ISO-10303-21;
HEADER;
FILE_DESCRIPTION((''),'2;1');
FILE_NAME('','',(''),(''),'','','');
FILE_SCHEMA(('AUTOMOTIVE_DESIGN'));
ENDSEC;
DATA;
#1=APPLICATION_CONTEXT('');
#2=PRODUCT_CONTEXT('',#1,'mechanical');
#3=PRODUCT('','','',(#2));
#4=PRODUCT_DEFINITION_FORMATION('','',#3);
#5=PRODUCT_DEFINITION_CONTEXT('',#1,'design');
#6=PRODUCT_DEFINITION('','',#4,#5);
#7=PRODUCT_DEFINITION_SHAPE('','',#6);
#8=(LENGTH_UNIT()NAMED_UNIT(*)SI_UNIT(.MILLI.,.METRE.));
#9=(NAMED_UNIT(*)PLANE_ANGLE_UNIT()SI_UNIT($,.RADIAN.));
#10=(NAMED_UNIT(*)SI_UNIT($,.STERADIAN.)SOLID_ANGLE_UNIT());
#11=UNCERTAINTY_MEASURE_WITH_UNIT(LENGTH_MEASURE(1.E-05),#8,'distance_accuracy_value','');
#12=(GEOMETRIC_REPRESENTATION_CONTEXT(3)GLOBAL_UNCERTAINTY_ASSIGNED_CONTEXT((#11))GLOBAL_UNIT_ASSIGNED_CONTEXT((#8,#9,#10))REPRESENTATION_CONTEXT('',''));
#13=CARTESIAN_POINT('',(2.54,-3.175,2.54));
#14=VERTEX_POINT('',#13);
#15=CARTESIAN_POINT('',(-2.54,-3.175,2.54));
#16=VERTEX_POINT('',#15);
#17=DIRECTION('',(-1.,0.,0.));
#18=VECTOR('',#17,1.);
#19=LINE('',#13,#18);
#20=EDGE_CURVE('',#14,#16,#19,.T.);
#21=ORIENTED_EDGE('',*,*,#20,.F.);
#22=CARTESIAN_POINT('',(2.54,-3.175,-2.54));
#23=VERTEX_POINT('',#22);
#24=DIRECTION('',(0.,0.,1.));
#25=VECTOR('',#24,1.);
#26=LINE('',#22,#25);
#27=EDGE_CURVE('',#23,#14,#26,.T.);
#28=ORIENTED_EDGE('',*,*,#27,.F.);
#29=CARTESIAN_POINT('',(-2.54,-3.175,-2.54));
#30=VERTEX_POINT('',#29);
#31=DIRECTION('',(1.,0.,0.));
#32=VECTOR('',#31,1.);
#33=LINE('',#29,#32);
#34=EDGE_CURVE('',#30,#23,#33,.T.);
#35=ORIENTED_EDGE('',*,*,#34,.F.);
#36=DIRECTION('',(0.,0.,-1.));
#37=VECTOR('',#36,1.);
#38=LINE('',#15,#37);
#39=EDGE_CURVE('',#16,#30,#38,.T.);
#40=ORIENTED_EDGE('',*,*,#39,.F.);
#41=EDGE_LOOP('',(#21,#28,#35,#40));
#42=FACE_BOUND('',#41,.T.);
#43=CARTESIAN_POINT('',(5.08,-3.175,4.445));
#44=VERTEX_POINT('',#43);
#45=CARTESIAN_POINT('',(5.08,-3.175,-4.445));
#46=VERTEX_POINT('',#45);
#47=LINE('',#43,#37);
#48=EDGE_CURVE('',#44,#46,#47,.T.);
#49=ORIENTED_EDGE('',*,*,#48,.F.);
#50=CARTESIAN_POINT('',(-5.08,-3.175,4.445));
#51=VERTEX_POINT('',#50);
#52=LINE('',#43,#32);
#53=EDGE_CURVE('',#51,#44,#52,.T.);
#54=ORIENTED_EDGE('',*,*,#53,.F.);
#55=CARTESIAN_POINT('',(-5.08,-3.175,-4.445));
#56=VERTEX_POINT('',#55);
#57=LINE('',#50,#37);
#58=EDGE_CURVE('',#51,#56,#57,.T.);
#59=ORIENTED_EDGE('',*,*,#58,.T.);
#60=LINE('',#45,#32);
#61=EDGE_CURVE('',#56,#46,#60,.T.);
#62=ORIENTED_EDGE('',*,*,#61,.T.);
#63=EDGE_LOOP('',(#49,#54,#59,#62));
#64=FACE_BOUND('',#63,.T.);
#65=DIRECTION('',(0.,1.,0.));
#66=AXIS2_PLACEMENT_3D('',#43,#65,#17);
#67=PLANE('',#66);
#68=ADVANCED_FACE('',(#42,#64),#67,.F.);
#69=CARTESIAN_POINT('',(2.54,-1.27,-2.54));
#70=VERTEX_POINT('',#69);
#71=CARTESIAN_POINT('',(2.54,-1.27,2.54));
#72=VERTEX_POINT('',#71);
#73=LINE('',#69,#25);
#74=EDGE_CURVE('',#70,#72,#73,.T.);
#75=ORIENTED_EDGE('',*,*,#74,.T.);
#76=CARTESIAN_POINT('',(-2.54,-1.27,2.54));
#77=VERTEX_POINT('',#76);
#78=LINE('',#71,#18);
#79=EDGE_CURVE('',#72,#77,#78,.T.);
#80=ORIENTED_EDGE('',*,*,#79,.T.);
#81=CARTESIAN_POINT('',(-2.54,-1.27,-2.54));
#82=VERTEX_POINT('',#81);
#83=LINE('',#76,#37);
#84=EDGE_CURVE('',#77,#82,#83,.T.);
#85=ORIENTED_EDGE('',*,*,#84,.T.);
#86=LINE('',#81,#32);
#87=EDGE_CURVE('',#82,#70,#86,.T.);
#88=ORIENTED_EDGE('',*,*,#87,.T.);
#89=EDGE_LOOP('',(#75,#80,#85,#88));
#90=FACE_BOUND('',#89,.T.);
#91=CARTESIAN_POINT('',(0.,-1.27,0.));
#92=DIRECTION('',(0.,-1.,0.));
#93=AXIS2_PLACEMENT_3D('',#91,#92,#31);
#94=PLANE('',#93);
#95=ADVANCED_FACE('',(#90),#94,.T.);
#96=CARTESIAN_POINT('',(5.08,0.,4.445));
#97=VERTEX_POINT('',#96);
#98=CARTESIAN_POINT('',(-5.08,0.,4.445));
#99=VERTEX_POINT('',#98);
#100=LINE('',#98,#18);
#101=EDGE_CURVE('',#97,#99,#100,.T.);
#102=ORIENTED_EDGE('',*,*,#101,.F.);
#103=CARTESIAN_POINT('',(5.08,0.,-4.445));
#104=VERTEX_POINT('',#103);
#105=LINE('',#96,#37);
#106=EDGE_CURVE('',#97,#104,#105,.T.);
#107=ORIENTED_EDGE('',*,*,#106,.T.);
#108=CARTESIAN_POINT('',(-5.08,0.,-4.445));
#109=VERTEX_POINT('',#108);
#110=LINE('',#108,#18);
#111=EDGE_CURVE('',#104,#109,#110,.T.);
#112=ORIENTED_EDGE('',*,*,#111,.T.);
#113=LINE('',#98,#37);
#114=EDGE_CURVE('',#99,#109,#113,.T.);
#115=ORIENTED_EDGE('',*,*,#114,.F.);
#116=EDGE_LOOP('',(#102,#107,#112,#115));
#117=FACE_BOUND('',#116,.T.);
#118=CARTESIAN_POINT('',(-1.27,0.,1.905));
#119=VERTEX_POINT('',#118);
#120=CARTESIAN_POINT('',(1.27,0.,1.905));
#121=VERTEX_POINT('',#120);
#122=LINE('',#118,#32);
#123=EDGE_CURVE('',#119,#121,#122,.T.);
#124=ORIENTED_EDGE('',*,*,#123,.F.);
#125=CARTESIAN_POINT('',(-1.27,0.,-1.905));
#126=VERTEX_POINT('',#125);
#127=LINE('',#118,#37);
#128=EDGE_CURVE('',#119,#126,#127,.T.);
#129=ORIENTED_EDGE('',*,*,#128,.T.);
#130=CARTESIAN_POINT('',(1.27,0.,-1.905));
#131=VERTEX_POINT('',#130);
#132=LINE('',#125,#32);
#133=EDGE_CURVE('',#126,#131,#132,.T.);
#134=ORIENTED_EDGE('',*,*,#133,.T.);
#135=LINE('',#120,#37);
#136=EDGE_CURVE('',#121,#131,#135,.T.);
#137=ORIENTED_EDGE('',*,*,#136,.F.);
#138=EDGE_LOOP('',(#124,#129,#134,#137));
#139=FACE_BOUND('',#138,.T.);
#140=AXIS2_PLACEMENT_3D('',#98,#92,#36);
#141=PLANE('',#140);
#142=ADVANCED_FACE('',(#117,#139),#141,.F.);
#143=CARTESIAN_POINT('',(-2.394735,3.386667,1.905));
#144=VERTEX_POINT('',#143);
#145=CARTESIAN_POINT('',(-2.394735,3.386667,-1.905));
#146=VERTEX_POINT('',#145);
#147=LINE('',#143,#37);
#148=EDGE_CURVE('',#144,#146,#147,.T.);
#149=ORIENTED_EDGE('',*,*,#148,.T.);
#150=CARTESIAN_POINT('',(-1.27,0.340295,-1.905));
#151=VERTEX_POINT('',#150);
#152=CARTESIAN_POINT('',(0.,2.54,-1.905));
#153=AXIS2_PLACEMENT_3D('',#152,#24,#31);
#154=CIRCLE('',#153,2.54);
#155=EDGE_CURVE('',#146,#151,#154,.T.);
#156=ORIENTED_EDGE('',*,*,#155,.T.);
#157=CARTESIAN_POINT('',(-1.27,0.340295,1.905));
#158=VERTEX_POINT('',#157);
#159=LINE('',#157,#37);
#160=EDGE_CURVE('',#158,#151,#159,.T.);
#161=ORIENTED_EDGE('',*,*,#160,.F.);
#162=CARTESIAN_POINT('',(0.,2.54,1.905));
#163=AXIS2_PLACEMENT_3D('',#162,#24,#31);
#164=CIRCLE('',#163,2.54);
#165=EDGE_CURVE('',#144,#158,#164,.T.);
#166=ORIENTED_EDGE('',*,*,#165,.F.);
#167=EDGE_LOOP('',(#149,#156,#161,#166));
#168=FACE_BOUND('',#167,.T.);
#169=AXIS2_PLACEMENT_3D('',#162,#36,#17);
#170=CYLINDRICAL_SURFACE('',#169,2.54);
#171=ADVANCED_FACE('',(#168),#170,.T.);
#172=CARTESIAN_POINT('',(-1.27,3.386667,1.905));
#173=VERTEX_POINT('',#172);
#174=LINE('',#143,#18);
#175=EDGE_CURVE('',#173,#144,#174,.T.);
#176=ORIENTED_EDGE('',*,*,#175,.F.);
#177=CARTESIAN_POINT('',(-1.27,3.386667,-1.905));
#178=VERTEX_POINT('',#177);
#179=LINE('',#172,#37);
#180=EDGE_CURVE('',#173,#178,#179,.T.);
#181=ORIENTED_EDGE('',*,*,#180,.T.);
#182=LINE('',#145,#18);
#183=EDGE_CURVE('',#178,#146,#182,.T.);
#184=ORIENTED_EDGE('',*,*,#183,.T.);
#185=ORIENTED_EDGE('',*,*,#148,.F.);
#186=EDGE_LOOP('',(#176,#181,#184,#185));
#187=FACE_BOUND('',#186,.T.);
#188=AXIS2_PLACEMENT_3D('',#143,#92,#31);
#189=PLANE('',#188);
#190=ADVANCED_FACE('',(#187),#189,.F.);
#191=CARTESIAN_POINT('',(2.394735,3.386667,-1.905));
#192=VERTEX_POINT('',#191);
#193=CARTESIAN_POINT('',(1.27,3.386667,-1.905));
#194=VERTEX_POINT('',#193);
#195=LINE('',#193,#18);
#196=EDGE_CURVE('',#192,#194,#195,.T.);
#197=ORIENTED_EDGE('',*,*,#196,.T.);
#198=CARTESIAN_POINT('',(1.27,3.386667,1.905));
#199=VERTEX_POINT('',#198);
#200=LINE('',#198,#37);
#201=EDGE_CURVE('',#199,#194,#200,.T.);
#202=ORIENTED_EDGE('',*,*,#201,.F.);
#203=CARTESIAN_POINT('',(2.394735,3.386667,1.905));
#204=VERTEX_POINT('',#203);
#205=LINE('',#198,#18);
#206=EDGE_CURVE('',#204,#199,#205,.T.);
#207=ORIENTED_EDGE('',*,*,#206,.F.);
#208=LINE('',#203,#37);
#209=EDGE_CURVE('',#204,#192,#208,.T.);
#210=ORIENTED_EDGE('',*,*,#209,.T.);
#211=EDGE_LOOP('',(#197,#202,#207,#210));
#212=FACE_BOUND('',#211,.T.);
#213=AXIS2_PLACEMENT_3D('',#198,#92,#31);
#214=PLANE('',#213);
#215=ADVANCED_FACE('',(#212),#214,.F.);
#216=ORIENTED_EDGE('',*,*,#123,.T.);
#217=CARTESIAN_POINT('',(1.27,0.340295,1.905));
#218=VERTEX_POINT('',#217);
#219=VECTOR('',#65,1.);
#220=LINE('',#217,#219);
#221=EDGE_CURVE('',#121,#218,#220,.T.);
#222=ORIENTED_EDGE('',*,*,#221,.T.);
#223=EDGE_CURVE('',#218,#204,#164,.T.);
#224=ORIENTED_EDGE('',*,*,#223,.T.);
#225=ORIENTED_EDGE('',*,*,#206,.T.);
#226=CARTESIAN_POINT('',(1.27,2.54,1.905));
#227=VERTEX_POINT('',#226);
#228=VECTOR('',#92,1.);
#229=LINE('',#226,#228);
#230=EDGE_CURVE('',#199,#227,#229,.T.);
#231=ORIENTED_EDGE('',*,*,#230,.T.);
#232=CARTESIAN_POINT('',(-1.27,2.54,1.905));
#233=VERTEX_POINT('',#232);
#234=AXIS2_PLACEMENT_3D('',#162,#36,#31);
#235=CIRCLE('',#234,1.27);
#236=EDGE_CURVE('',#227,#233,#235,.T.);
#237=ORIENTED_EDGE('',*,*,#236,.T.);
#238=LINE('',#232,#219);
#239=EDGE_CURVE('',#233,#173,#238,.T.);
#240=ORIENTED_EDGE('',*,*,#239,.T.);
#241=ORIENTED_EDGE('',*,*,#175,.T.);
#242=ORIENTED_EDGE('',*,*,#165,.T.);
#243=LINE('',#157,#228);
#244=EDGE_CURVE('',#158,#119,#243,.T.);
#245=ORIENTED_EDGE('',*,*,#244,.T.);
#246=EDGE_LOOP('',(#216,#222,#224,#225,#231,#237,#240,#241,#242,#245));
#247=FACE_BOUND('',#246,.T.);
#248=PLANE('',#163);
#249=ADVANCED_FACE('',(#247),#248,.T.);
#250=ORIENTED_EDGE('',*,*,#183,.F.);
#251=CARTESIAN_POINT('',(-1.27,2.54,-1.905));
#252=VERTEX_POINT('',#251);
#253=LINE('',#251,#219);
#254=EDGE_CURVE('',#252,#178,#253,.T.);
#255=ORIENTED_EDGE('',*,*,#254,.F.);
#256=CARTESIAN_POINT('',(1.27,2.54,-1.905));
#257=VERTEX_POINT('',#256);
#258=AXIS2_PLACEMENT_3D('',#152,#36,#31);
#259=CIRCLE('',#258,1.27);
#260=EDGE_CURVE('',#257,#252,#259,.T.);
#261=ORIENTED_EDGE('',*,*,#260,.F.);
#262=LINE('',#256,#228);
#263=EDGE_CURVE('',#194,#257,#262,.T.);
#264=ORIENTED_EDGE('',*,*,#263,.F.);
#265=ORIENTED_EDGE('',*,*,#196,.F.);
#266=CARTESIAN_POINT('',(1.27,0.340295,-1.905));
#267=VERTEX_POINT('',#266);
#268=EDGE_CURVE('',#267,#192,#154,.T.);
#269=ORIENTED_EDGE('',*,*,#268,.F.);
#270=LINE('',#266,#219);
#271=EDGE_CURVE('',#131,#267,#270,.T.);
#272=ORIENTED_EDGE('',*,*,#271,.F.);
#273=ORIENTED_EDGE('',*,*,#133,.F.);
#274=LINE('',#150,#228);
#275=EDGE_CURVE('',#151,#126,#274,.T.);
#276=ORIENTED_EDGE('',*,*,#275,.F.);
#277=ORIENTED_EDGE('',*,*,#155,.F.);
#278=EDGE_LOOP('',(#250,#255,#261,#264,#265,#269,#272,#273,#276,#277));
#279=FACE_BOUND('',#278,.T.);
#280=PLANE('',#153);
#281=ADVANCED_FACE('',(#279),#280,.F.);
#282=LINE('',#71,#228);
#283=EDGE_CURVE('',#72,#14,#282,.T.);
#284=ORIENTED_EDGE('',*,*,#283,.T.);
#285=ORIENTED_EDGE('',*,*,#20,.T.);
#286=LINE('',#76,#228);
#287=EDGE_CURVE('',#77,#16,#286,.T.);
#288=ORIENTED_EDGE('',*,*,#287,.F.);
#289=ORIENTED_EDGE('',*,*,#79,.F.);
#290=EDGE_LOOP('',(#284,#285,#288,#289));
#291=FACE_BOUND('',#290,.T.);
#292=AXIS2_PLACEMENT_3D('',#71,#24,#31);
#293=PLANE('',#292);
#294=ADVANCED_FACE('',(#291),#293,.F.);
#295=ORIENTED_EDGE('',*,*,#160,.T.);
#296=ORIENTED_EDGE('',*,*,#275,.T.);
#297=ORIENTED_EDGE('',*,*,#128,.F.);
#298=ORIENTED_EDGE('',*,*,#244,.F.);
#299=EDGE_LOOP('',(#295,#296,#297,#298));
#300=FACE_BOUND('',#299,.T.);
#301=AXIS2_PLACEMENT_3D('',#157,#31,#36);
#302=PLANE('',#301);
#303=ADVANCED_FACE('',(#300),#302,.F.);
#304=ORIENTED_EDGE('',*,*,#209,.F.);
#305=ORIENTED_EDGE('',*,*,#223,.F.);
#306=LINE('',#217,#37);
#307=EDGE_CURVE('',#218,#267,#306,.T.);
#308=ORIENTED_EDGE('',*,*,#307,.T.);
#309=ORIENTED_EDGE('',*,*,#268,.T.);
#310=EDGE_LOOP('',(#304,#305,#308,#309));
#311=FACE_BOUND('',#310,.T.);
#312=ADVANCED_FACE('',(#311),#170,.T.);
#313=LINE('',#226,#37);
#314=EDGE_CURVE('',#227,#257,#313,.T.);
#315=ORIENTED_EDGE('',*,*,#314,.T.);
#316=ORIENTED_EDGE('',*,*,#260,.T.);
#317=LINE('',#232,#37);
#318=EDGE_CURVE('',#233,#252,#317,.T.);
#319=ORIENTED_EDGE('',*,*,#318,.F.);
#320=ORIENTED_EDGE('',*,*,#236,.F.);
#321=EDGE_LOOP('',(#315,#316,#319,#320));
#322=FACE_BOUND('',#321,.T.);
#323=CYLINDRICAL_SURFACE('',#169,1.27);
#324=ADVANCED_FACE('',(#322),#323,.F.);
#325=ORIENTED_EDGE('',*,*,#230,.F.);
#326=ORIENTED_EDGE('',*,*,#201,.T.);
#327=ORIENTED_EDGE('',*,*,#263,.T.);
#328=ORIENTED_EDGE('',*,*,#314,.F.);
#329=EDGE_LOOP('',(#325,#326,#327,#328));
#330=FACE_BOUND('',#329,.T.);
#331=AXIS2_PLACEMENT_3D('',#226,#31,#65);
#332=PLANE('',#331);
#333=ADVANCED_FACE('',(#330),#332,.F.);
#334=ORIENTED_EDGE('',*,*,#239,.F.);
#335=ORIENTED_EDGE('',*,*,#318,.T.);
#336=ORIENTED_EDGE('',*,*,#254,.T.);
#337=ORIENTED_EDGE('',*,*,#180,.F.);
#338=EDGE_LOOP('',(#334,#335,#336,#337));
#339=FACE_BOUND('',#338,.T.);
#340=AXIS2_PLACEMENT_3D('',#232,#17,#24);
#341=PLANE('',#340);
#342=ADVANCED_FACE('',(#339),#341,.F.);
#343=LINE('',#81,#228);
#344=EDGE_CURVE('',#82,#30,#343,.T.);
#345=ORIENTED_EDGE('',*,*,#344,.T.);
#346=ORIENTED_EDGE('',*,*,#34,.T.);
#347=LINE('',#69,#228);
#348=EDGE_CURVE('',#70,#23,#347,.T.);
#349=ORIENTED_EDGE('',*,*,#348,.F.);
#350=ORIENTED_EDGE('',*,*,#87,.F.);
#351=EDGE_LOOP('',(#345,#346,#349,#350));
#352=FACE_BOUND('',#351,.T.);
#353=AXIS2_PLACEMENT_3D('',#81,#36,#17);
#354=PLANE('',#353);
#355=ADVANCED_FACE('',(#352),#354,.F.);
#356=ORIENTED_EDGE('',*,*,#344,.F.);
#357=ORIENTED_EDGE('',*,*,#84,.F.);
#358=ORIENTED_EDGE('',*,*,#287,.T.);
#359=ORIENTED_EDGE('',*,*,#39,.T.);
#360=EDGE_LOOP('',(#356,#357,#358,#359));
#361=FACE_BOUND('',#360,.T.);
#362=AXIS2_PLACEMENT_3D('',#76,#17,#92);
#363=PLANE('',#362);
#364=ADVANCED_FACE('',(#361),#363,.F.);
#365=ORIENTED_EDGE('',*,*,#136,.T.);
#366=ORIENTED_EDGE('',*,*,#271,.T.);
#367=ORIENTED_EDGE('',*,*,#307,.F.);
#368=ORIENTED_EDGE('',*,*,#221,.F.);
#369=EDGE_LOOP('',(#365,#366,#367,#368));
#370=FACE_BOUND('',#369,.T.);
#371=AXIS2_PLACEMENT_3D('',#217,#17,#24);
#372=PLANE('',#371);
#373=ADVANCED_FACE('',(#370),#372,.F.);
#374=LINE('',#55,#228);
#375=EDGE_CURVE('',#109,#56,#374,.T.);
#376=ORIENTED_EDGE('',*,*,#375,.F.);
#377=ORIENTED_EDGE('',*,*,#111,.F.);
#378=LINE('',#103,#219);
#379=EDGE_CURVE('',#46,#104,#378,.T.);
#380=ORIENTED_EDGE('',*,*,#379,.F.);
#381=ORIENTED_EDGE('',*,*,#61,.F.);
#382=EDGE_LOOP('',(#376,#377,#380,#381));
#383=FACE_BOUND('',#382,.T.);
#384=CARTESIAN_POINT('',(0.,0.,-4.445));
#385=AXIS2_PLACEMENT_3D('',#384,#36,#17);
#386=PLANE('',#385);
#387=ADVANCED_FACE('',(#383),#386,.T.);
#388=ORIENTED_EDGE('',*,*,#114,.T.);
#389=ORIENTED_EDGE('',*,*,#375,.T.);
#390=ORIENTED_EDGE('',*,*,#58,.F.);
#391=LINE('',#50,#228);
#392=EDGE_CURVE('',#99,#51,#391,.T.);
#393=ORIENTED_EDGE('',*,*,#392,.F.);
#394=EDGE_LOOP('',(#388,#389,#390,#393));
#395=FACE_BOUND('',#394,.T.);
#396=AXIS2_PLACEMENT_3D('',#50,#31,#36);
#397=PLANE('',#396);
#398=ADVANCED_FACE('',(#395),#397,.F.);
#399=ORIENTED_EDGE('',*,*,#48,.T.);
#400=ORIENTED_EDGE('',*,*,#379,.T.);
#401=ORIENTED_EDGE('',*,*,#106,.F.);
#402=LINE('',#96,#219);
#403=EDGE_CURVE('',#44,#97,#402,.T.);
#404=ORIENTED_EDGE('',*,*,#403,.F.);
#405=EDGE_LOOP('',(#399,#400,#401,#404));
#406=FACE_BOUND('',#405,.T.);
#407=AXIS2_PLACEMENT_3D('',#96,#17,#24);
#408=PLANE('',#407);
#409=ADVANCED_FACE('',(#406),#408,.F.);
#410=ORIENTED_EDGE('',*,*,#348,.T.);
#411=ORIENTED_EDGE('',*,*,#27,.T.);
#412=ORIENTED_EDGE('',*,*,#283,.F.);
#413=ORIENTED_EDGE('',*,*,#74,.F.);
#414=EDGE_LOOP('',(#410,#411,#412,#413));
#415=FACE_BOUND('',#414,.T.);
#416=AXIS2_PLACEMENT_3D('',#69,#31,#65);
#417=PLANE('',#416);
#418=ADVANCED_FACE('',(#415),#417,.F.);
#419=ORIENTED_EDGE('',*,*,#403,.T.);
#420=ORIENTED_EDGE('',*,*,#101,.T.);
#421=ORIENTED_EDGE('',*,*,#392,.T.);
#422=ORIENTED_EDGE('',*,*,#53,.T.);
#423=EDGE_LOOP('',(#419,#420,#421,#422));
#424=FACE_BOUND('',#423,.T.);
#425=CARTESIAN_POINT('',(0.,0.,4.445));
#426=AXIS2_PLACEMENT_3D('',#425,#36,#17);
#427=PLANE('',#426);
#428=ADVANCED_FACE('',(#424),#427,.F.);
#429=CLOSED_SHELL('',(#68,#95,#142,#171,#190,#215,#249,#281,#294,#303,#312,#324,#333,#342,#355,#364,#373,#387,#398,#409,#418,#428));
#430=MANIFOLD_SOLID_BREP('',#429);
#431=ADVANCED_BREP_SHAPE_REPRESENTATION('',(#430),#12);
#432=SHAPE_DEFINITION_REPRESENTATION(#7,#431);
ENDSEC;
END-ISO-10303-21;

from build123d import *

# Parameters (mm, degrees)
SKETCH1_W           = 10.16
SKETCH1_H           = 3.175
BOSS_EXTRUDE1_DEPTH = 4.445
BOSS_EXTRUDE2_DEPTH = 1.905
SKETCH3_OUTSIDE_W   = 15.162
SKETCH3_OUTSIDE_H   = 13.892
SKETCH3_OUTSIDE_W_2 = 10.16
SKETCH3_OUTSIDE_H_2 = 8.89
SKETCH3_OUTSIDE_W_3 = 5.08
SKETCH3_OUTSIDE_H_3 = 5.08
CUT_EXTRUDE1_DEPTH  = 1.905


with BuildPart() as part:
    # Sketch1 → Boss-Extrude1 (new body, symmetric)
    with BuildSketch(Plane.XY):
        with Locations((0, -1.5875)):
            Rectangle(SKETCH1_W, SKETCH1_H)
    extrude(amount=BOSS_EXTRUDE1_DEPTH, both=True)

    # Sketch2 → Boss-Extrude2 (add, symmetric)
    with BuildSketch(Plane.XY):
        with BuildLine():
            Line((-1.27, 2.54), (-1.27, 3.386666667))
            Line((-1.27, 3.386666667), (-2.394734966, 3.386666667))
            ThreePointArc((-2.394734966, 3.386666667), (-2.382785125, 1.660264217), (-1.27, 0.340295474))
            Line((-1.27, 0.340295474), (-1.27, 0))
            Line((-1.27, 0), (1.27, 0))
            Line((1.27, 0), (1.27, 0.340295474))
            ThreePointArc((1.27, 0.340295474), (2.382785125, 1.660264217), (2.394734966, 3.386666667))
            Line((2.394734966, 3.386666667), (1.27, 3.386666667))
            Line((1.27, 3.386666667), (1.27, 2.54))
            ThreePointArc((1.27, 2.54), (0, 1.27), (-1.27, 2.54))
        make_face()
    extrude(amount=BOSS_EXTRUDE2_DEPTH, both=True)

    # Sketch3 outside → Cut-Extrude1 (cut)
    with BuildSketch(Plane.XZ.offset(3.175)):
        Rectangle(SKETCH3_OUTSIDE_W, SKETCH3_OUTSIDE_H)
        Rectangle(SKETCH3_OUTSIDE_W_2, SKETCH3_OUTSIDE_H_2, mode=Mode.SUBTRACT)
        Rectangle(SKETCH3_OUTSIDE_W_3, SKETCH3_OUTSIDE_H_3)
    extrude(amount=-CUT_EXTRUDE1_DEPTH, mode=Mode.SUBTRACT)


solid = part.part
